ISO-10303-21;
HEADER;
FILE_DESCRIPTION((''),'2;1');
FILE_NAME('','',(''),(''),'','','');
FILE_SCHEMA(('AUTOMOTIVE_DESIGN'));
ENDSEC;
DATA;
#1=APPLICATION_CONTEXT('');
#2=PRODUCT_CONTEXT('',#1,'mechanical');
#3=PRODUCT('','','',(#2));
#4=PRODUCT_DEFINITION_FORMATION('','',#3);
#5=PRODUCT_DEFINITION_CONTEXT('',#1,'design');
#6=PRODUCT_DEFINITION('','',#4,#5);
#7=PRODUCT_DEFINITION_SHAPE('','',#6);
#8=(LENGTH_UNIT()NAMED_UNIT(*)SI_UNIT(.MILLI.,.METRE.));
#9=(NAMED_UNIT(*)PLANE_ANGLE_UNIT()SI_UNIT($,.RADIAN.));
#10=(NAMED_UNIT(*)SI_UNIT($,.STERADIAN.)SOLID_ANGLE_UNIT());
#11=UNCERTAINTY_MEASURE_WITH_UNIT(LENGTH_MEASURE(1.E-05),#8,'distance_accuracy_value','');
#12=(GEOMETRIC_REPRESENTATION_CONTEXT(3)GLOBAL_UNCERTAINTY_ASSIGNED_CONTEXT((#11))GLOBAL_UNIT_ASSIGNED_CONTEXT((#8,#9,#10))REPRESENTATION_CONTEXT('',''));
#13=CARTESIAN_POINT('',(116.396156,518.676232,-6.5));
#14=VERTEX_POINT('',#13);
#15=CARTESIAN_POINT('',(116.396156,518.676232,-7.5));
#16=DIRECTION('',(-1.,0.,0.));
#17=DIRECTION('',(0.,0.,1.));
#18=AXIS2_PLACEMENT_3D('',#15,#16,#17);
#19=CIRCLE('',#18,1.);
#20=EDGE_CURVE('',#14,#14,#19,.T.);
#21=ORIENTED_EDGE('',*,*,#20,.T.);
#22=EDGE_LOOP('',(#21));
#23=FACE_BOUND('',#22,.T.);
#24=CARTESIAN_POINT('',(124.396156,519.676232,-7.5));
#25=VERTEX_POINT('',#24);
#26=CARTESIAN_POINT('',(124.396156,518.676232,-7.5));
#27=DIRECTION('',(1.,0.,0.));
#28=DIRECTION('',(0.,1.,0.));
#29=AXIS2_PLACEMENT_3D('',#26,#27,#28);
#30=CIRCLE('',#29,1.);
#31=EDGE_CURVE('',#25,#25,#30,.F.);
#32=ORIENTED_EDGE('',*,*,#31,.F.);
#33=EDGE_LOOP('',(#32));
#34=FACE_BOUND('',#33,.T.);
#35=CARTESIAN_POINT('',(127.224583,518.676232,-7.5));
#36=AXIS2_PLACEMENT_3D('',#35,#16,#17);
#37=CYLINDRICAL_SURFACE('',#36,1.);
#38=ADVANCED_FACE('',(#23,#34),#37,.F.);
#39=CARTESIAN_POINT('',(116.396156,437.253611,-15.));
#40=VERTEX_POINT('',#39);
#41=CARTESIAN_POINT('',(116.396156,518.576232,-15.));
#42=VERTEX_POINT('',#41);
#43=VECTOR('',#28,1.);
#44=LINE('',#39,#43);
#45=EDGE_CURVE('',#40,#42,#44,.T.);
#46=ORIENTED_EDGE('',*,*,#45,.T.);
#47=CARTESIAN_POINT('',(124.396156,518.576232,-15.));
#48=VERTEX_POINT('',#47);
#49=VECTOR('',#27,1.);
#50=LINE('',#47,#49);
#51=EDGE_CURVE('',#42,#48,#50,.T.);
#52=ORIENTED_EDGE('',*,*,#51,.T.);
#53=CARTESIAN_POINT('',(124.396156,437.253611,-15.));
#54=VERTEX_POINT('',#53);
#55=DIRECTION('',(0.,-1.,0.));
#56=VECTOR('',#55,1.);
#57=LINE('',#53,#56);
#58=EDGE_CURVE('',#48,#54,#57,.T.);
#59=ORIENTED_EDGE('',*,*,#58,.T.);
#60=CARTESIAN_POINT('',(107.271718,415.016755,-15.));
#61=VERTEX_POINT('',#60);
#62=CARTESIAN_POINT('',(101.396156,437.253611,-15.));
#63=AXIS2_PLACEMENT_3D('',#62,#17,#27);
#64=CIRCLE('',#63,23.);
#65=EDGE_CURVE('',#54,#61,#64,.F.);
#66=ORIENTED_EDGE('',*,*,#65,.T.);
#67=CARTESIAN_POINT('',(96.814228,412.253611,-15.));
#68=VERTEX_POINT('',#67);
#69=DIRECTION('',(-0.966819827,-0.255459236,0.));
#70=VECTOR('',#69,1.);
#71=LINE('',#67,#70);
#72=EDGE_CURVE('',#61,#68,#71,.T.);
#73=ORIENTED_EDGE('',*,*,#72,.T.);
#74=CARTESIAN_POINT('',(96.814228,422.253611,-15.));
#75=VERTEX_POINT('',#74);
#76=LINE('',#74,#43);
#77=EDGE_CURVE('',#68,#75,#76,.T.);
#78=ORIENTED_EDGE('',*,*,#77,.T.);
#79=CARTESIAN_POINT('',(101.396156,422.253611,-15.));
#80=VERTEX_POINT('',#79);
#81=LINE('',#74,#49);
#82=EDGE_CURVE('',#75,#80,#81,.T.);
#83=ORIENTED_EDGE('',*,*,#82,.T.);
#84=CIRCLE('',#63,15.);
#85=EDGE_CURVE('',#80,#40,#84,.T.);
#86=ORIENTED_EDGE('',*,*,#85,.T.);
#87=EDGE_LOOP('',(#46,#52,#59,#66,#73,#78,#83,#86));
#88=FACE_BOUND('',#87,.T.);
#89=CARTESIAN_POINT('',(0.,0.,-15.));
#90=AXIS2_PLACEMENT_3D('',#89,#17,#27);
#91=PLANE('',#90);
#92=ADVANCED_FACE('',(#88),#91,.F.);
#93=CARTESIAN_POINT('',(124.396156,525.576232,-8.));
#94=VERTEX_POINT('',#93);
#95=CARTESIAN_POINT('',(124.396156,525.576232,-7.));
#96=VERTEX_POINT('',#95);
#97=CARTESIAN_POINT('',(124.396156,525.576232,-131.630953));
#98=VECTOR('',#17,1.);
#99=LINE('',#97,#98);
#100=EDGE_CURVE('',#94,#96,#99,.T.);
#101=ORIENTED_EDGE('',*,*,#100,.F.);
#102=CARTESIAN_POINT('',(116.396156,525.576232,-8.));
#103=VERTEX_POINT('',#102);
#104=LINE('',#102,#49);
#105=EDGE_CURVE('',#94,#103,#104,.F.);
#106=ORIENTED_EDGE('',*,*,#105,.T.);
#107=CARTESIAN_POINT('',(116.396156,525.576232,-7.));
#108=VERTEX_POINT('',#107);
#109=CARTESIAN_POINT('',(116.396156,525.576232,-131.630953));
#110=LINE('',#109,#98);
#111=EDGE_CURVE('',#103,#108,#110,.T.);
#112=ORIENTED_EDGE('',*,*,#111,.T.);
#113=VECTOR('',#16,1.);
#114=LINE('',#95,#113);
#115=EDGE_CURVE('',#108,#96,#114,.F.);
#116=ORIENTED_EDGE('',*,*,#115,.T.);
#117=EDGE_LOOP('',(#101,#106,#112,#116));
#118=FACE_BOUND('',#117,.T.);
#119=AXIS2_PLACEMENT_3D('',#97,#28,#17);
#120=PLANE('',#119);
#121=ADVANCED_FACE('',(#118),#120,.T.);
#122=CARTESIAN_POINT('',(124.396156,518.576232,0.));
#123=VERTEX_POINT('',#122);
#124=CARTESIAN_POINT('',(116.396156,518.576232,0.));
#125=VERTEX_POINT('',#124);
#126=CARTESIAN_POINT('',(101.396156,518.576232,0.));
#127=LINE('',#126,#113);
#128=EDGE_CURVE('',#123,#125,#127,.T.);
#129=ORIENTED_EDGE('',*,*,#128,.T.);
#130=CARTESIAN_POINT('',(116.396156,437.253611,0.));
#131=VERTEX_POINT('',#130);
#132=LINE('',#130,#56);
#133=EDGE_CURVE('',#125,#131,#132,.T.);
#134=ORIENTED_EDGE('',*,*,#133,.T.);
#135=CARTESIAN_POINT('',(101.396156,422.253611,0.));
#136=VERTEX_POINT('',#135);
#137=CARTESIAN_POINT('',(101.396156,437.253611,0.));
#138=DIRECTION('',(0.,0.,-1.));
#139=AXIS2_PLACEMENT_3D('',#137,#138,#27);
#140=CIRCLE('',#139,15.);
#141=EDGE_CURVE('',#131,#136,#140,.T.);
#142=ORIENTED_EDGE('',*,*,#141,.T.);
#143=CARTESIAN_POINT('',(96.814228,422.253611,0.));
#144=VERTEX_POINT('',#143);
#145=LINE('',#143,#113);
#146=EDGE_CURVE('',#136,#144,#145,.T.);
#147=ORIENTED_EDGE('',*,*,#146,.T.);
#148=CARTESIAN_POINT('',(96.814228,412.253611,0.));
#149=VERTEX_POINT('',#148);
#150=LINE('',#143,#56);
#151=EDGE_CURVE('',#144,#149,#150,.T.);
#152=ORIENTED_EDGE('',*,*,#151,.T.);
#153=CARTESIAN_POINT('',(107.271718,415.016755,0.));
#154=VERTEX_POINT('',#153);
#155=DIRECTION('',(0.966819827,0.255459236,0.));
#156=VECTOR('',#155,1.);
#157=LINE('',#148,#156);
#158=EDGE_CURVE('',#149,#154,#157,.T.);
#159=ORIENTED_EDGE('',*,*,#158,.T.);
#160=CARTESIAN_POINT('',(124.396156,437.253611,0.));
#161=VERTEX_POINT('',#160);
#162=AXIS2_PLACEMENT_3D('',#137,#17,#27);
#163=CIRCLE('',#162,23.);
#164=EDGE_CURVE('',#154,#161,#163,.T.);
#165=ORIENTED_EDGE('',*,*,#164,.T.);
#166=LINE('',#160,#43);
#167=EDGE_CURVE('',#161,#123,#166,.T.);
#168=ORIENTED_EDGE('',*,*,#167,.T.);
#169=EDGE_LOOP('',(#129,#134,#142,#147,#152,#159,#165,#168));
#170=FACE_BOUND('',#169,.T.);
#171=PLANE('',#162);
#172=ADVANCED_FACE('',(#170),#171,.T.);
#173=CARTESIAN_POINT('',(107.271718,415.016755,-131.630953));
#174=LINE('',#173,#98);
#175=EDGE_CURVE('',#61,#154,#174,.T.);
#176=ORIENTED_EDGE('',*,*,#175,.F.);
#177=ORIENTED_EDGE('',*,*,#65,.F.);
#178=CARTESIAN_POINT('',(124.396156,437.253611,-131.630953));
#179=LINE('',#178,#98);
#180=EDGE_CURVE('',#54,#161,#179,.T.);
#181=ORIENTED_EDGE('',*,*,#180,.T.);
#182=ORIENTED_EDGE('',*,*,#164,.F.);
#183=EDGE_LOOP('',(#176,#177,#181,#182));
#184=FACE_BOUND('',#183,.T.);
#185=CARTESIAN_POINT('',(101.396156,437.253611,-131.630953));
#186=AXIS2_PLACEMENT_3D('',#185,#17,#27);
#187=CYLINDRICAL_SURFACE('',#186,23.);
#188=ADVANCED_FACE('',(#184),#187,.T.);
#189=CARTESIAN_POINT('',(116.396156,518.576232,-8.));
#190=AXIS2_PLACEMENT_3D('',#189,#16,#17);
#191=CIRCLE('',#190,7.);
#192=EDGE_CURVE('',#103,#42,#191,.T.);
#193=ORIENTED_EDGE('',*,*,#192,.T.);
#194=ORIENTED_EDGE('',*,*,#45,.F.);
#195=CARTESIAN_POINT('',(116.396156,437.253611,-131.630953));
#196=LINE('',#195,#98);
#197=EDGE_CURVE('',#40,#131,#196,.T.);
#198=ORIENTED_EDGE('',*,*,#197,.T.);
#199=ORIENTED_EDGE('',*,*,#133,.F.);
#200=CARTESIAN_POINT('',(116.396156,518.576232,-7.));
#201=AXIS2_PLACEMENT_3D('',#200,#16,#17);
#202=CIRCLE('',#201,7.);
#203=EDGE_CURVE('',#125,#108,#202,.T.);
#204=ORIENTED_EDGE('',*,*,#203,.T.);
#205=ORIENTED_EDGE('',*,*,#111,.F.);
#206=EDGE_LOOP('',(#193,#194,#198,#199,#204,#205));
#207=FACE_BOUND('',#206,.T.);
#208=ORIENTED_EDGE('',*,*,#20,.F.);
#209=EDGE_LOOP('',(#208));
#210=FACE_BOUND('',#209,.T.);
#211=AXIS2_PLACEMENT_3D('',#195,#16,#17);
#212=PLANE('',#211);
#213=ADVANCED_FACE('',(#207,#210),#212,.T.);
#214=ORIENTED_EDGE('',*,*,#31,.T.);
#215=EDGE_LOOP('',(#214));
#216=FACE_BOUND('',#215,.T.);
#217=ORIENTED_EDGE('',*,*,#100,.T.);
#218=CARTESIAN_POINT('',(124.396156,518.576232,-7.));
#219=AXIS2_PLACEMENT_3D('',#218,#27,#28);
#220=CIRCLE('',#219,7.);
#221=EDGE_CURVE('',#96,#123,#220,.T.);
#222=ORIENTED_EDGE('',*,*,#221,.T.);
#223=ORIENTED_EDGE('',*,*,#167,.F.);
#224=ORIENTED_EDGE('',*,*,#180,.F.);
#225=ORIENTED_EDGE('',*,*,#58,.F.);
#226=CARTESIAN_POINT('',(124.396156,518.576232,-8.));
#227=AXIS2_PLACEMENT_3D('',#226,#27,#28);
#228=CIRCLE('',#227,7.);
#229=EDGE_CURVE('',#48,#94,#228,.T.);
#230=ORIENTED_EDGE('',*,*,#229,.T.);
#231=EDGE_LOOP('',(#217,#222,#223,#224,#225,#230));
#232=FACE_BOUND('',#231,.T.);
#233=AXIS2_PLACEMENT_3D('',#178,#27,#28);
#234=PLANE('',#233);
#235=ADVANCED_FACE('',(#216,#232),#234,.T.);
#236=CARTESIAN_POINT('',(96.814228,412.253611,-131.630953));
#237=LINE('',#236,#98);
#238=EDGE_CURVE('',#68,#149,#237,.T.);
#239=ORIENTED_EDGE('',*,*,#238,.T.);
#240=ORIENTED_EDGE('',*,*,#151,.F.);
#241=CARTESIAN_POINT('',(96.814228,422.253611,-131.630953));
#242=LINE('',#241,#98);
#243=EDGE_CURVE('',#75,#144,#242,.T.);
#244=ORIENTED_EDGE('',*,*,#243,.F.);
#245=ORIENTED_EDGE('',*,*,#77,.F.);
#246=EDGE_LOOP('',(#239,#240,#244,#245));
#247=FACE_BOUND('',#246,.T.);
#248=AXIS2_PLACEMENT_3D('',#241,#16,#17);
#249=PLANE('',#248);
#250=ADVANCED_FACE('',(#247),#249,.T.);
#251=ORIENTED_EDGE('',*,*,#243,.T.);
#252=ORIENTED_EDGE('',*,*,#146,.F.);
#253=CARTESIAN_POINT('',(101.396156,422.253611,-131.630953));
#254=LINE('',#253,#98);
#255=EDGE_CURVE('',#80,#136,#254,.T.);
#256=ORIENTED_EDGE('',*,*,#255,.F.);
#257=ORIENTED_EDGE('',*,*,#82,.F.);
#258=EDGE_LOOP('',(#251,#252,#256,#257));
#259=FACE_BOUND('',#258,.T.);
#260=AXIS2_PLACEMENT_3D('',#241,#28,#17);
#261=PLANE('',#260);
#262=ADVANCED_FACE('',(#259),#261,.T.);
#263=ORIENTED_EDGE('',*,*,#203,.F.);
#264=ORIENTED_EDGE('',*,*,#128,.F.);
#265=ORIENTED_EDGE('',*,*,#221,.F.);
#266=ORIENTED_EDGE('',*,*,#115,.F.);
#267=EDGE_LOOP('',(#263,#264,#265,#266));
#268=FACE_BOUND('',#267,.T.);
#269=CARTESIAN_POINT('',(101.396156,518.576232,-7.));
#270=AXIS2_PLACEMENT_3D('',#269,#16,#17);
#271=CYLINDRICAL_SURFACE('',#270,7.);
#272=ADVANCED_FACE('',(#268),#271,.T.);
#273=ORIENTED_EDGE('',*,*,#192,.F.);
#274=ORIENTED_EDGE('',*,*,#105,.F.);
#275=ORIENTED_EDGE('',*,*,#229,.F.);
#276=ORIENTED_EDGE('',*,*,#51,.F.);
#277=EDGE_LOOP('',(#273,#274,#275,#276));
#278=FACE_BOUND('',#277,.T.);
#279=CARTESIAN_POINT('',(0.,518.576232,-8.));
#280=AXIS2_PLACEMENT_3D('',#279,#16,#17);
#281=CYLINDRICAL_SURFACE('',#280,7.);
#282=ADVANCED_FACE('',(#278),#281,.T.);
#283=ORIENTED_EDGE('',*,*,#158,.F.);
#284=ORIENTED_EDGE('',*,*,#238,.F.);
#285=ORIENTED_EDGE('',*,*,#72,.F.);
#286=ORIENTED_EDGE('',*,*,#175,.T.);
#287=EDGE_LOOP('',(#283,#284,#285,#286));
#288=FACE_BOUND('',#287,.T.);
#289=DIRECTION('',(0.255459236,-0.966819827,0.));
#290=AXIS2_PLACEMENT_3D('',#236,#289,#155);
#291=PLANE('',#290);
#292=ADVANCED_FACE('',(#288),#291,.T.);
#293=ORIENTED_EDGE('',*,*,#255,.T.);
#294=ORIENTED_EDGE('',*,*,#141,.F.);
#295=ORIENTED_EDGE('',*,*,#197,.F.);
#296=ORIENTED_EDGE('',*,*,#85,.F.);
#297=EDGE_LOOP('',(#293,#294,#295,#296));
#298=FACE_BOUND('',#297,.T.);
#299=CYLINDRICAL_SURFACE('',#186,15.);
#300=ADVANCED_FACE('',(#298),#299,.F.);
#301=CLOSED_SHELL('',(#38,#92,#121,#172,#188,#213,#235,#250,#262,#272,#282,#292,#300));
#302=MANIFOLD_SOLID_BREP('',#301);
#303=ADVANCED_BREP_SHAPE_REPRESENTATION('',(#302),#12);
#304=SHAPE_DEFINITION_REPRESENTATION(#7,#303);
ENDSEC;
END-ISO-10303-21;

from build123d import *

# Parameters (mm, degrees)
BOSS_EXTRUDE1_DEPTH = 15
FILLET1_R           = 7
SKETCH2_R           = 1
CUT_EXTRUDE1_DEPTH  = 8


with BuildPart() as part:
    # Sketch1 → Boss-Extrude1 (new body)
    with BuildSketch(Plane.XY):
        with BuildLine():
            Line((96.814228499, 422.253610621), (101.396155955, 422.253610621))
            ThreePointArc((101.396155955, 422.253610621), (112.002757673, 426.647008903), (116.396155955, 437.253610621))
            Line((116.396155955, 437.253610621), (116.396155955, 525.576232013))
            Line((116.396155955, 525.576232013), (124.396155955, 525.576232013))
            Line((124.396155955, 525.576232013), (124.396155955, 437.253610621))
            ThreePointArc((124.396155955, 437.253610621), (119.618915568, 423.220398868), (107.271718381, 415.016754589))
            Line((107.271718381, 415.016754589), (96.814228499, 412.253610621))
            Line((96.814228499, 412.253610621), (96.814228499, 422.253610621))
        make_face()
    extrude(amount=-BOSS_EXTRUDE1_DEPTH)

    # Fillet1
    fillet1_edges = [part.edges().sort_by_distance(p)[0] for p in [
        (120.396155955, 525.576232013, -15),
        (120.396155955, 525.576232013, 0),
    ]]
    fillet(fillet1_edges, radius=FILLET1_R)

    # Sketch2 → Cut-Extrude1 (cut)
    with BuildSketch(Plane.ZY.offset(-116.396155955)):
        with Locations((-7.5, 518.676232013)):
            Circle(SKETCH2_R)
    extrude(amount=-CUT_EXTRUDE1_DEPTH, mode=Mode.SUBTRACT)


solid = part.part
